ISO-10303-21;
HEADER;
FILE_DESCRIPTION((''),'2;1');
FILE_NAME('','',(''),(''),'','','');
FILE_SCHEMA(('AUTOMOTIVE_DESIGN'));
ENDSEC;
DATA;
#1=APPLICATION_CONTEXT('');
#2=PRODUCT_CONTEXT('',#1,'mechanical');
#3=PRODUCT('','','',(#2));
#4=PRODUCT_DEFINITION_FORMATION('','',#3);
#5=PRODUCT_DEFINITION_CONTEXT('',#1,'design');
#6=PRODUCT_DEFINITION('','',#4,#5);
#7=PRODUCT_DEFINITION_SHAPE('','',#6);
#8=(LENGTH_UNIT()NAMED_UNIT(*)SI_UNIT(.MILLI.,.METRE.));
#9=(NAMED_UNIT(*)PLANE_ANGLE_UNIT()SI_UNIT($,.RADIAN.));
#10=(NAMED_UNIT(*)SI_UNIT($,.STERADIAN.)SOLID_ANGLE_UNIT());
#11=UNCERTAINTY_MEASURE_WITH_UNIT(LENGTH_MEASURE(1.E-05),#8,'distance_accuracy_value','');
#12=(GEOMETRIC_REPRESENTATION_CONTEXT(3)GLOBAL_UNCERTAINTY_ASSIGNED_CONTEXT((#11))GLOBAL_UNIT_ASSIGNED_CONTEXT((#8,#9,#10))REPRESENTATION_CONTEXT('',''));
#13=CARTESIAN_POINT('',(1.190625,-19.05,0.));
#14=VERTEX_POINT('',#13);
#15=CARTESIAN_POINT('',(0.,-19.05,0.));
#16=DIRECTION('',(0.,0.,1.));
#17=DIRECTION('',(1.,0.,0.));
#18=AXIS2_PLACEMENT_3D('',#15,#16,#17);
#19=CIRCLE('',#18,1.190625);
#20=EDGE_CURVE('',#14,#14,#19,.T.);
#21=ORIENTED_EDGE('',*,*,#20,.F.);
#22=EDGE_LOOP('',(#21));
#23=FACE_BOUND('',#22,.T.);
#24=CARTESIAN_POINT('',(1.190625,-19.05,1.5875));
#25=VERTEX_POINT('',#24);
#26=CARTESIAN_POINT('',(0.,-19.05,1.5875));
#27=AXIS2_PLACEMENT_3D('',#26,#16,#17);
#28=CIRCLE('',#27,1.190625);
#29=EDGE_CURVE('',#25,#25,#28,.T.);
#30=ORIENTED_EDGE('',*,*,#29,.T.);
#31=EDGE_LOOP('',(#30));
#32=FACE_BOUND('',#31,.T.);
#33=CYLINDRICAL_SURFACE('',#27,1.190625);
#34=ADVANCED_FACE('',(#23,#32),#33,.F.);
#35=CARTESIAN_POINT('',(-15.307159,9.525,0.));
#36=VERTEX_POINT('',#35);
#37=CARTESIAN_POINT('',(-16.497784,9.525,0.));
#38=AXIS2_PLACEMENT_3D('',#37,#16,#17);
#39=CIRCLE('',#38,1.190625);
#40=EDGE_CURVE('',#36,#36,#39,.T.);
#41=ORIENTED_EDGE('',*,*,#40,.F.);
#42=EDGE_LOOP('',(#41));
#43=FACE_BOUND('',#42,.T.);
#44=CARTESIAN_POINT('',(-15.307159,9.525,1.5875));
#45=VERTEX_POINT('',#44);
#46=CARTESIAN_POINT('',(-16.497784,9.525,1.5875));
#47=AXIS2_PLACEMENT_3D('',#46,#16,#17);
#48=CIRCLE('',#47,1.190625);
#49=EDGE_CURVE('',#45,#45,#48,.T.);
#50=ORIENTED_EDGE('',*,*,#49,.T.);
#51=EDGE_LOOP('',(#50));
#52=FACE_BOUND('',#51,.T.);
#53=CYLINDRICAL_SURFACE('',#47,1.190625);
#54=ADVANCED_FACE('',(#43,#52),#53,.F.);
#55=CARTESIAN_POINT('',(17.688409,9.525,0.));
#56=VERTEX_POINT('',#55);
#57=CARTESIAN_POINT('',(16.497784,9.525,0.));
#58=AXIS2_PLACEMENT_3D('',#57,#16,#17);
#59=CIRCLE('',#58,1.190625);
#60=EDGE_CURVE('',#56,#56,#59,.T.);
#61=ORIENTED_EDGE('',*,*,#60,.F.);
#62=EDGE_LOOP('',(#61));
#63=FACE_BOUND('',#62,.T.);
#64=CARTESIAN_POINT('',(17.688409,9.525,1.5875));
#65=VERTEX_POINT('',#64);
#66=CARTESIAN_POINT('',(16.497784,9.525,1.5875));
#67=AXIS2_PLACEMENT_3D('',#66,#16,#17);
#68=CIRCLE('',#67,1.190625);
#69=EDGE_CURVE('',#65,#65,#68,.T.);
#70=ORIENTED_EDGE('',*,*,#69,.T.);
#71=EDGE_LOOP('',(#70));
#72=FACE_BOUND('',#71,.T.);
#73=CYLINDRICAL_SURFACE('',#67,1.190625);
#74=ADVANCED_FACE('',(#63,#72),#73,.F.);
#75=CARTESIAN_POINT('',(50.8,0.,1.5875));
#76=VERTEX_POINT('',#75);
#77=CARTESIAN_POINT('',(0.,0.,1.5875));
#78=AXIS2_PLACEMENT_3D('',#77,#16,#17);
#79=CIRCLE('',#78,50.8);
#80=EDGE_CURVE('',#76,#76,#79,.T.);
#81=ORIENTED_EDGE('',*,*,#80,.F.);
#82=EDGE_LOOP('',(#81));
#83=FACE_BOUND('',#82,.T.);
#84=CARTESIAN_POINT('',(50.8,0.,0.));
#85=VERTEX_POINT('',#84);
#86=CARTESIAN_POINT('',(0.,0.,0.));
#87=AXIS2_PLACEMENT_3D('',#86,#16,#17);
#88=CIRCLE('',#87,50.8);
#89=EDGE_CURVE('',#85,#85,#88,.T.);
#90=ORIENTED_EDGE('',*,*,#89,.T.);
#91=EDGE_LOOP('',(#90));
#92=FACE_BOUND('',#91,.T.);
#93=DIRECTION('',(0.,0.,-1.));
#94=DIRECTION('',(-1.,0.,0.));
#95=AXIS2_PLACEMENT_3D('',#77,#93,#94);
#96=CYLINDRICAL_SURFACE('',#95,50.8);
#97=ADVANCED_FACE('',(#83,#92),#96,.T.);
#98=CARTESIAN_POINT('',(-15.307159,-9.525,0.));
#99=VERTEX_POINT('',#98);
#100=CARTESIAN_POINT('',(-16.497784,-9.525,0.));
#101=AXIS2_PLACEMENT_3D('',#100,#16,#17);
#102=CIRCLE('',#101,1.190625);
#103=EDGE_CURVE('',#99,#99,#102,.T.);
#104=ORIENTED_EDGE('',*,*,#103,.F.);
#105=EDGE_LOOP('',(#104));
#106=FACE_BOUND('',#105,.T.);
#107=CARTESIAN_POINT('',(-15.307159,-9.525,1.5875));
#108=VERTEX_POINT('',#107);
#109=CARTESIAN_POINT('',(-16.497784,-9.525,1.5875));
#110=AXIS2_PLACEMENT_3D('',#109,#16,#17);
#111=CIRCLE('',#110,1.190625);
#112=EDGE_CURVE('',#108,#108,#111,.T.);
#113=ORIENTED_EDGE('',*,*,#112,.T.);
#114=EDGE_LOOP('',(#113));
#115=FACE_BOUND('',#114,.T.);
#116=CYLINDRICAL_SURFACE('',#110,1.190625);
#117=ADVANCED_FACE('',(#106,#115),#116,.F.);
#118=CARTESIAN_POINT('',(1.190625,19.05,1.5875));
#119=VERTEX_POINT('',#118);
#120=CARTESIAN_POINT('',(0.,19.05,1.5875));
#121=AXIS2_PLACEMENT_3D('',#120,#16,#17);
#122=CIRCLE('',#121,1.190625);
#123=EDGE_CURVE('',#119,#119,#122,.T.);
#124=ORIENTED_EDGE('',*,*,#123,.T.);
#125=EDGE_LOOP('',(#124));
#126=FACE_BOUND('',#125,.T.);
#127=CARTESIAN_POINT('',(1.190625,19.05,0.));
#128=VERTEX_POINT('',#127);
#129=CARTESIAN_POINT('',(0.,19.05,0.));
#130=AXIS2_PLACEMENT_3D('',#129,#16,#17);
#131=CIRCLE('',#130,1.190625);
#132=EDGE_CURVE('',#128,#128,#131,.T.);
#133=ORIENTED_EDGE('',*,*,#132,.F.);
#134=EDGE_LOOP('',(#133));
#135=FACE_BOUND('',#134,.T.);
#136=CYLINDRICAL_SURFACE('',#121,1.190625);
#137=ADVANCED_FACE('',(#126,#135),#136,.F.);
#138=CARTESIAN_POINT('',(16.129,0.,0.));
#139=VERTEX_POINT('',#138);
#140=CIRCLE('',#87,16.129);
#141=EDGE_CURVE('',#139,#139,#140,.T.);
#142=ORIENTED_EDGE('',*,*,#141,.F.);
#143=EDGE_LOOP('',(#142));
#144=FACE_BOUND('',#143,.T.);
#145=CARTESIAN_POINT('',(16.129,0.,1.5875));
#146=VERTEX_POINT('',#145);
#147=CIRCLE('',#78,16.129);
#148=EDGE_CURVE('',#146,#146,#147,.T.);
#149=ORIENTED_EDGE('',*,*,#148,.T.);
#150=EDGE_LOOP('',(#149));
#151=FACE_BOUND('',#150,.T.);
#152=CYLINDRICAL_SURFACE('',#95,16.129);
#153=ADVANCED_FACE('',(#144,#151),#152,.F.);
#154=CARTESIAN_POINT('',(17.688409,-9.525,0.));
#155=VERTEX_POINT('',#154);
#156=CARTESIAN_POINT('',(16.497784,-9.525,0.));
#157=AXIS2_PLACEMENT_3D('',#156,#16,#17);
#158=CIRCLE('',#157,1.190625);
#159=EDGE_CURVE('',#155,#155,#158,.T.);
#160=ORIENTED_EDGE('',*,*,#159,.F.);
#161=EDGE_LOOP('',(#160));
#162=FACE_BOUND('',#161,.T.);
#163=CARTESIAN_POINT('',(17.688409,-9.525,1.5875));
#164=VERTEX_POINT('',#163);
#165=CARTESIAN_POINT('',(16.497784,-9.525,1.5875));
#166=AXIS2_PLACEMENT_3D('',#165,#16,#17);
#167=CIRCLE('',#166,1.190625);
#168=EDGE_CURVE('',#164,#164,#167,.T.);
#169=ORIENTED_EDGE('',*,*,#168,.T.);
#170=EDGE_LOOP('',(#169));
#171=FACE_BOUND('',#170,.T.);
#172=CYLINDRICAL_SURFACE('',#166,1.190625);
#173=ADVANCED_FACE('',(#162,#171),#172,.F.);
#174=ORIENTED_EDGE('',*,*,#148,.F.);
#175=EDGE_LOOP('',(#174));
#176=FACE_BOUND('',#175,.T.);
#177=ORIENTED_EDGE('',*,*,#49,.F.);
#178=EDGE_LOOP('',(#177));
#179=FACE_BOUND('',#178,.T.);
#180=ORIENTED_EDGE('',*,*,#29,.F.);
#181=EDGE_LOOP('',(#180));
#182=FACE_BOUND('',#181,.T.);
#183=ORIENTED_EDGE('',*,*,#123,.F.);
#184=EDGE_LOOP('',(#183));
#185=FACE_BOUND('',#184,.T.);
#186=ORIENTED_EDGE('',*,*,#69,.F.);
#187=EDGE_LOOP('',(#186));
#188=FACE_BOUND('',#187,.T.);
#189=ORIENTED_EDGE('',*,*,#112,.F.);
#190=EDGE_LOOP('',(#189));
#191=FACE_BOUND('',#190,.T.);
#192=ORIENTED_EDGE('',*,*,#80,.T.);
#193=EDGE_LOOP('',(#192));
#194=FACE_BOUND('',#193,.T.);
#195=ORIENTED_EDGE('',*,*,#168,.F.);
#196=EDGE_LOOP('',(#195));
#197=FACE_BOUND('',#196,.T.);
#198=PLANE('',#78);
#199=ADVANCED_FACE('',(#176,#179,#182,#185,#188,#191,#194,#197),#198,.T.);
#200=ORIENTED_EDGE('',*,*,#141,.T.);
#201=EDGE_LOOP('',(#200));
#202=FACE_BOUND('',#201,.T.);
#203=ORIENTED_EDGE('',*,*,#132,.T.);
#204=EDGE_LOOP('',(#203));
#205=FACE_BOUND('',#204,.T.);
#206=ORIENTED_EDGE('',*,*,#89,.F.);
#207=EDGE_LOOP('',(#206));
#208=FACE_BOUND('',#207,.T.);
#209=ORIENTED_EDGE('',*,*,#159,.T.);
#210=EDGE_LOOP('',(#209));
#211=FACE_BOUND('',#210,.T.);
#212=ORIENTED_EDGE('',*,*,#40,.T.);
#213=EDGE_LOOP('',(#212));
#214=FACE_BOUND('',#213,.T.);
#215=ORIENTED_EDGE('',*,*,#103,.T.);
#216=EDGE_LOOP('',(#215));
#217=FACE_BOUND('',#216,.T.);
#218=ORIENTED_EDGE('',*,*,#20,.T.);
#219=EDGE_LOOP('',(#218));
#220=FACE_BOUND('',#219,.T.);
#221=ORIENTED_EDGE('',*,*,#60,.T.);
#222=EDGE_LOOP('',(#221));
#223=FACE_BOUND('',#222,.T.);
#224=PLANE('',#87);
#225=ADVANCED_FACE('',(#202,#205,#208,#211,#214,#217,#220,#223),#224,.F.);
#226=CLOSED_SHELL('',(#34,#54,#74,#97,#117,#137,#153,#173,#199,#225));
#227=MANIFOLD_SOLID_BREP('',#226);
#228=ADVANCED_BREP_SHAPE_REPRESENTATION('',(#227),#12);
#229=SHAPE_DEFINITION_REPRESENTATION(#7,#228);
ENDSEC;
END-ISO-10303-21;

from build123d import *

# Parameters (mm, degrees)
SKETCH1_R           = 50.8
SKETCH1_R_2         = 16.129
BOSS_EXTRUDE1_DEPTH = 1.5875
CIRPATTERN1_COUNT   = 6


with BuildPart() as part:
    # Sketch1 → Boss-Extrude1 (new body)
    with BuildSketch(Plane.XY):
        Circle(SKETCH1_R)
        Circle(SKETCH1_R_2, mode=Mode.SUBTRACT)
    extrude(amount=BOSS_EXTRUDE1_DEPTH)

    # Sketch2 → 3/32 (0.09375) Diameter Hole1 (revolve, cut)
    with BuildSketch(Plane(origin=(0, 19.05, 1.5875), x_dir=(0, -1, 0), z_dir=(1, 0, 0))):
        Polygon((0, 0), (0, 26.115399675), (1.190625, 25.4), (1.190625, 0), align=None)
    f_3_32_0_09375_diameter_hole1 = revolve(axis=Axis((0, 19.05, 7.9375), (0, 0, -1)), mode=Mode.SUBTRACT)

    # CirPattern1: 3/32 (0.09375) Diameter Hole1 ×6 about axis
    cirpattern1_axis = Axis((0, 0, 0), (0, 0, 1))
    for i in range(1, CIRPATTERN1_COUNT):
        add(f_3_32_0_09375_diameter_hole1.rotate(cirpattern1_axis, i * 360 / CIRPATTERN1_COUNT), mode=Mode.SUBTRACT)


solid = part.part
